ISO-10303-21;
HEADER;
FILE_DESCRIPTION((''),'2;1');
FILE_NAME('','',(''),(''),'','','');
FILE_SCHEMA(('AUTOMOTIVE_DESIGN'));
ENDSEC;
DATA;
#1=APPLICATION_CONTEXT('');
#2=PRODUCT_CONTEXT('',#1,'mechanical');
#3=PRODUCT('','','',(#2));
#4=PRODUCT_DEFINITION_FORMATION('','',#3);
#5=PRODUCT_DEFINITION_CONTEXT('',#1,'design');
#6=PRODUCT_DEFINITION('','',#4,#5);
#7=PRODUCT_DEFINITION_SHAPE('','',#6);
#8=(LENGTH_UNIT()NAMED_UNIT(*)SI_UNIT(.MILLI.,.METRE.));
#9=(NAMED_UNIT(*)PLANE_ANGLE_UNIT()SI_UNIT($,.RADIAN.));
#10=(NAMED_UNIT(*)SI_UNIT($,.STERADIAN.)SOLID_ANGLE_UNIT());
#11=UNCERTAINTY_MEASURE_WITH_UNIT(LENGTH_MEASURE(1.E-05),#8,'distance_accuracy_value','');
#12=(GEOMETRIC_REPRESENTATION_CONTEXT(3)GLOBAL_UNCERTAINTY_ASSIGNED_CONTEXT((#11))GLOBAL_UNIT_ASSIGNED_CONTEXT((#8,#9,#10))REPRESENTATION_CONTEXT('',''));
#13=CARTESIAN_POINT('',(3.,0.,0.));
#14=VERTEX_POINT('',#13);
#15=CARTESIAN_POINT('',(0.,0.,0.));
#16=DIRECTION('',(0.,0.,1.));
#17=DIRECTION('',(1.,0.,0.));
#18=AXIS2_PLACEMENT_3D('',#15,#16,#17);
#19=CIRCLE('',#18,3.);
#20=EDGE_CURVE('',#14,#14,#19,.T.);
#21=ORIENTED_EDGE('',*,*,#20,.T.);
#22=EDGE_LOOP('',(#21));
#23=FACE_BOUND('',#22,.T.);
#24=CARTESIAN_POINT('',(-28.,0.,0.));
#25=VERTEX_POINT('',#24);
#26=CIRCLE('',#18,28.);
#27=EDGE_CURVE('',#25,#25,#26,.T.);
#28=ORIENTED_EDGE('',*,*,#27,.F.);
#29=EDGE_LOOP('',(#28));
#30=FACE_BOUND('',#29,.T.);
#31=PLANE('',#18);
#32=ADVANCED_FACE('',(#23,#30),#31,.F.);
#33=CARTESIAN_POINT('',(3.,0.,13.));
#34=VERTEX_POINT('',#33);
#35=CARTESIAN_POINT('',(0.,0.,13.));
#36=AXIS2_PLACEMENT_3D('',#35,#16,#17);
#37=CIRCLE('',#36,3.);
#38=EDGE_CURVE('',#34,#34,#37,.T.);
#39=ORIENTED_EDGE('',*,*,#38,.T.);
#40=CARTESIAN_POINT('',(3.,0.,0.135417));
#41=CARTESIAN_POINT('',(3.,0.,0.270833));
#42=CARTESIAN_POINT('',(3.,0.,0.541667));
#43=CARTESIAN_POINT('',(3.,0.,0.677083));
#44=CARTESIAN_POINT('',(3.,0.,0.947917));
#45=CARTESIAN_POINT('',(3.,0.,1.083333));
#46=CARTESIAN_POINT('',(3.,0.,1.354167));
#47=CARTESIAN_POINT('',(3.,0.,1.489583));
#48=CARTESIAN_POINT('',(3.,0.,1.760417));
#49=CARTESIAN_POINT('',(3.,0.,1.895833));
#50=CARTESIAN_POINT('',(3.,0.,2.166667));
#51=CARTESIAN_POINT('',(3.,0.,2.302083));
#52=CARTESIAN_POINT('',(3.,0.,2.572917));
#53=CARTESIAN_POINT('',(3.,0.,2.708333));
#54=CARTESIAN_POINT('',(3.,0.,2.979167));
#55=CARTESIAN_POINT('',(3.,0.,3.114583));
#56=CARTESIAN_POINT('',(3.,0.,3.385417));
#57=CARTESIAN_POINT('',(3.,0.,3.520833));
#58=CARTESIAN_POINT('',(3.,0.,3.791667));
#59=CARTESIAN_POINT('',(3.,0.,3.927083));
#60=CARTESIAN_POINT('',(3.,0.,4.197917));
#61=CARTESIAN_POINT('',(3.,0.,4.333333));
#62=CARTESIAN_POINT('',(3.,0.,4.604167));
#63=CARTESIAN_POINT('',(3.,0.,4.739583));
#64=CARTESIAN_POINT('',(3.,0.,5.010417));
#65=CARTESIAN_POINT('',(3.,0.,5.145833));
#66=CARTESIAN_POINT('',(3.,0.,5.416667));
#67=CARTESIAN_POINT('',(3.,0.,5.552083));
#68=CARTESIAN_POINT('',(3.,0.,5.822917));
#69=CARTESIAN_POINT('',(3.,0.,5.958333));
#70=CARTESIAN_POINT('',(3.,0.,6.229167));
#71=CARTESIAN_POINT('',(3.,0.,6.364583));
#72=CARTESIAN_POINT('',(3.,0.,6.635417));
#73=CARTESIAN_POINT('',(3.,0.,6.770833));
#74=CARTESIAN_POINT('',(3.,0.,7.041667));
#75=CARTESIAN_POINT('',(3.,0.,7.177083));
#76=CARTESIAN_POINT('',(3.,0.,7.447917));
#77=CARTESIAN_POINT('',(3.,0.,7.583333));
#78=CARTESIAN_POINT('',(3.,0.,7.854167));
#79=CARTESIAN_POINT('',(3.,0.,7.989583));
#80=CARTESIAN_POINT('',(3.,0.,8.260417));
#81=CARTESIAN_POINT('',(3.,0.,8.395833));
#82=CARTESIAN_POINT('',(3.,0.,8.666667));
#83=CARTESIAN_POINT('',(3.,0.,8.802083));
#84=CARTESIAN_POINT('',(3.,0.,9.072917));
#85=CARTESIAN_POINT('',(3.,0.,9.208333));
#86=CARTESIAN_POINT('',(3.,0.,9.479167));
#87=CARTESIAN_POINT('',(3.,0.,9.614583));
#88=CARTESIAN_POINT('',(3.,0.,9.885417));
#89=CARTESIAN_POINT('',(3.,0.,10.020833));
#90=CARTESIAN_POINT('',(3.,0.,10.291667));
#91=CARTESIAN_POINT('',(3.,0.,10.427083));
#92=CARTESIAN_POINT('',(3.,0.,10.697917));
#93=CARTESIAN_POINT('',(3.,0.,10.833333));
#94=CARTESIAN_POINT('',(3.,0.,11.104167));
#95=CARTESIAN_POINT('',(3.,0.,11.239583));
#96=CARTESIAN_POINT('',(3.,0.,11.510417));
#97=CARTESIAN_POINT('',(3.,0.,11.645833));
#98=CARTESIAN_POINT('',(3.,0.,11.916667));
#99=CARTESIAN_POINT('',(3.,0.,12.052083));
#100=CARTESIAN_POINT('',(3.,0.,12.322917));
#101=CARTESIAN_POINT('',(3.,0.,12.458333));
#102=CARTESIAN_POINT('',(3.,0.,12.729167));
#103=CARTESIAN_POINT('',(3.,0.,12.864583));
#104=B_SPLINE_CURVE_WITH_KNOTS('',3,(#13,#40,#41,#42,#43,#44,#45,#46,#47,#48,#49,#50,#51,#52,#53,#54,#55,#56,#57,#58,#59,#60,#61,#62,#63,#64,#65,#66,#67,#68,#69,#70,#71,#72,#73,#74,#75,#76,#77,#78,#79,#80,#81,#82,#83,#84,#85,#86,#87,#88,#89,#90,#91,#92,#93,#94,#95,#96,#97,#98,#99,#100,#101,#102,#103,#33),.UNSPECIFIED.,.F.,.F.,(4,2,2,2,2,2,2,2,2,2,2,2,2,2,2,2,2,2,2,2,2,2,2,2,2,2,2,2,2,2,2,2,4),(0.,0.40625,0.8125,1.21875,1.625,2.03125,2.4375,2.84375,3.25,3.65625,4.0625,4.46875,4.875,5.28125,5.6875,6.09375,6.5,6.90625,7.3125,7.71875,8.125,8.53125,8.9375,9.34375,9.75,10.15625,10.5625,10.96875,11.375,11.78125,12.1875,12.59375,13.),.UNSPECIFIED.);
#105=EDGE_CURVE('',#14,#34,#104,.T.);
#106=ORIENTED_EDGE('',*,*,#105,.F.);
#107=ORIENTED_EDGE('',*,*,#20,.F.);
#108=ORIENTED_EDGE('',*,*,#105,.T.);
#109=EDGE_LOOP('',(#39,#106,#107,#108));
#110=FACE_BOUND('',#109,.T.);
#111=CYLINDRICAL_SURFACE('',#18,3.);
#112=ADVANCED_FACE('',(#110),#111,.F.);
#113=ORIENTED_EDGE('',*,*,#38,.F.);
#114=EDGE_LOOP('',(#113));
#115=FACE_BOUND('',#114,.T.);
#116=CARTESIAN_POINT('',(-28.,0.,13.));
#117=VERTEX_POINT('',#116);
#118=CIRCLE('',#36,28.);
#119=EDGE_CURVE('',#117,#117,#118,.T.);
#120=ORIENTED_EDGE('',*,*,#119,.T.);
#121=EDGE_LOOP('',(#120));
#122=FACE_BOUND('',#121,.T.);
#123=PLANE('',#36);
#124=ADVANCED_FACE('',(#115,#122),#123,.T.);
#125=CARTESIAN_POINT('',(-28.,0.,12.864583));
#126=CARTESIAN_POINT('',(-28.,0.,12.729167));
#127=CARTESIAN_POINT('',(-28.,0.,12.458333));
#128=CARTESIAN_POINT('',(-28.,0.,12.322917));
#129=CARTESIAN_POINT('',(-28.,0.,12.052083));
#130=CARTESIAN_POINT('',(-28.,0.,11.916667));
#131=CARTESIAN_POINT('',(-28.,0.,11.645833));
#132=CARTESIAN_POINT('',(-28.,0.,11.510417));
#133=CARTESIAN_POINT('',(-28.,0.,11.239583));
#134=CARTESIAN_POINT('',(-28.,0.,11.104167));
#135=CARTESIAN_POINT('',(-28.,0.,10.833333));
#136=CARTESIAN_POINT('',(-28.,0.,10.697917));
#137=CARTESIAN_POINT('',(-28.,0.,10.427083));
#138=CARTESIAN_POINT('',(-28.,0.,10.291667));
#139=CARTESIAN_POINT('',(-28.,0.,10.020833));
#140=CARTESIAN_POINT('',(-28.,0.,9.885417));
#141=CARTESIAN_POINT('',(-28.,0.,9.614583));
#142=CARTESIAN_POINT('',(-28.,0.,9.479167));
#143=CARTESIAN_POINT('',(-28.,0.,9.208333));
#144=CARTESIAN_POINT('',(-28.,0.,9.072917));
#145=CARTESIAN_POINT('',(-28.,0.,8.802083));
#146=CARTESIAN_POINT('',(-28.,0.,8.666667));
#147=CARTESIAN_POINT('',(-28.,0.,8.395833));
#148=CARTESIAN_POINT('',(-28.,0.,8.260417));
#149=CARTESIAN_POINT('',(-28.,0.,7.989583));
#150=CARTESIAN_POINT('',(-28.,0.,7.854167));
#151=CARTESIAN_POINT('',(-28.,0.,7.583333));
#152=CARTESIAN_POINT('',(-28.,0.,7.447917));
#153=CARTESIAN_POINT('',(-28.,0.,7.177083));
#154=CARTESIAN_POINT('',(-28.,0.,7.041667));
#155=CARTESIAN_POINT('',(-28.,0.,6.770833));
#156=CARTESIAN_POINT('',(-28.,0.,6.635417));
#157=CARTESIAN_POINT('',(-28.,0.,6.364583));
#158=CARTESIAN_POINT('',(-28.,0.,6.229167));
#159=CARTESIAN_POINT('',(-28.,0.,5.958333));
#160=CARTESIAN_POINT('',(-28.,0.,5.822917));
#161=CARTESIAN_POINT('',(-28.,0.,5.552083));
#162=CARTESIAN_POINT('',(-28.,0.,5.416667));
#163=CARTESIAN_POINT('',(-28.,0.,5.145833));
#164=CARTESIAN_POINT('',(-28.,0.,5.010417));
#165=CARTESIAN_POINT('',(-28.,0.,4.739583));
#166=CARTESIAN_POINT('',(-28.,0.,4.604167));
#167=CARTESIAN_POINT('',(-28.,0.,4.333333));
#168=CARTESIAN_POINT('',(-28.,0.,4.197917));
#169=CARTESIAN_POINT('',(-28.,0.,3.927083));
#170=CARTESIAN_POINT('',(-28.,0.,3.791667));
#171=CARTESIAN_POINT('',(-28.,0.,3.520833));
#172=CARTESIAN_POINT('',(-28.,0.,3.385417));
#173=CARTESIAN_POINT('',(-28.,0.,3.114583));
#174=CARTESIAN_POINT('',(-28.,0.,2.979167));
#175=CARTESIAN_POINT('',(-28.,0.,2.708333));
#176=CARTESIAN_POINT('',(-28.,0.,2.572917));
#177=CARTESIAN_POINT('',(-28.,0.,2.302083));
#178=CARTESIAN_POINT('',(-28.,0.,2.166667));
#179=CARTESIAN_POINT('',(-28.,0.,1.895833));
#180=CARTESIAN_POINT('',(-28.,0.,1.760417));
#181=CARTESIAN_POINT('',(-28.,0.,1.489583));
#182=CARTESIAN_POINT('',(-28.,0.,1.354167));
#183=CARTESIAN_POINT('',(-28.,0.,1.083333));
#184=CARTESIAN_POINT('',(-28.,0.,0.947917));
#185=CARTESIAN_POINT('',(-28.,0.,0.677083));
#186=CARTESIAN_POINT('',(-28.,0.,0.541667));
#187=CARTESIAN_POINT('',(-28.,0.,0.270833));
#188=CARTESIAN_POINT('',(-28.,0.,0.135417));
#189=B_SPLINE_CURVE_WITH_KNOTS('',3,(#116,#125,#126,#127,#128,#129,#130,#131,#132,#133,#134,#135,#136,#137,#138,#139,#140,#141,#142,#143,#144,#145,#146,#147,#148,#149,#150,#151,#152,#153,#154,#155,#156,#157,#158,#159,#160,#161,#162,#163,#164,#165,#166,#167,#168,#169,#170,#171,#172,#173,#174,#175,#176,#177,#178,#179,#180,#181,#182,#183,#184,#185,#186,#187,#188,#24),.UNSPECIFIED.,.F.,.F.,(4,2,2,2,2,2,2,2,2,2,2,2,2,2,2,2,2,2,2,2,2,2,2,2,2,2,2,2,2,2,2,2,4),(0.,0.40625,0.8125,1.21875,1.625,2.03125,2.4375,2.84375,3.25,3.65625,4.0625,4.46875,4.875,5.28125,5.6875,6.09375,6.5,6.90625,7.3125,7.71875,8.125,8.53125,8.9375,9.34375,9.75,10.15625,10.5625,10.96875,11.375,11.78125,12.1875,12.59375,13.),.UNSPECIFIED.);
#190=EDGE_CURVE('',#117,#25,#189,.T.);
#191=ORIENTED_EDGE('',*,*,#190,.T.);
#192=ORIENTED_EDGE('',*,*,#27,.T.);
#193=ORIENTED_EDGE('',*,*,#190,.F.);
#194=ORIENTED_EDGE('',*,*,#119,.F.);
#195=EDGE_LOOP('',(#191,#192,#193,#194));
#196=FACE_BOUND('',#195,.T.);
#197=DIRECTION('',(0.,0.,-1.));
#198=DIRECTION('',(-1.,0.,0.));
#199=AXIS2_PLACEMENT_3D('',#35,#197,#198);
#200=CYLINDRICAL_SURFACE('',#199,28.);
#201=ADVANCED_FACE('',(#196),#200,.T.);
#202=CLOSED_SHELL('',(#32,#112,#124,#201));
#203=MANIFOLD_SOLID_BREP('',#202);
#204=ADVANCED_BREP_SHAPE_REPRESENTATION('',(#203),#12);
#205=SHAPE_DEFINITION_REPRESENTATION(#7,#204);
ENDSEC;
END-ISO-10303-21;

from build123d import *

# Parameters (mm, degrees)
ESQUISSE1_R             = 28
BOSS_EXTRU_1_DEPTH      = 13
ESQUISSE2_R             = 3
ENL_V_MAT_EXTRU_1_DEPTH = 42.677331968


with BuildPart() as part:
    # Esquisse1 → Boss.-Extru.1 (new body)
    with BuildSketch(Plane.XY):
        with Locations(Location((0, 0, 0), (0, 0, 180))):
            Circle(ESQUISSE1_R)
    extrude(amount=BOSS_EXTRU_1_DEPTH)

    # Esquisse2 → Enlèv. mat.-Extru.1 (cut, through all)
    with BuildSketch(Plane.XY.offset(13)):
        Circle(ESQUISSE2_R)
    extrude(amount=-ENL_V_MAT_EXTRU_1_DEPTH, mode=Mode.SUBTRACT)


solid = part.part
